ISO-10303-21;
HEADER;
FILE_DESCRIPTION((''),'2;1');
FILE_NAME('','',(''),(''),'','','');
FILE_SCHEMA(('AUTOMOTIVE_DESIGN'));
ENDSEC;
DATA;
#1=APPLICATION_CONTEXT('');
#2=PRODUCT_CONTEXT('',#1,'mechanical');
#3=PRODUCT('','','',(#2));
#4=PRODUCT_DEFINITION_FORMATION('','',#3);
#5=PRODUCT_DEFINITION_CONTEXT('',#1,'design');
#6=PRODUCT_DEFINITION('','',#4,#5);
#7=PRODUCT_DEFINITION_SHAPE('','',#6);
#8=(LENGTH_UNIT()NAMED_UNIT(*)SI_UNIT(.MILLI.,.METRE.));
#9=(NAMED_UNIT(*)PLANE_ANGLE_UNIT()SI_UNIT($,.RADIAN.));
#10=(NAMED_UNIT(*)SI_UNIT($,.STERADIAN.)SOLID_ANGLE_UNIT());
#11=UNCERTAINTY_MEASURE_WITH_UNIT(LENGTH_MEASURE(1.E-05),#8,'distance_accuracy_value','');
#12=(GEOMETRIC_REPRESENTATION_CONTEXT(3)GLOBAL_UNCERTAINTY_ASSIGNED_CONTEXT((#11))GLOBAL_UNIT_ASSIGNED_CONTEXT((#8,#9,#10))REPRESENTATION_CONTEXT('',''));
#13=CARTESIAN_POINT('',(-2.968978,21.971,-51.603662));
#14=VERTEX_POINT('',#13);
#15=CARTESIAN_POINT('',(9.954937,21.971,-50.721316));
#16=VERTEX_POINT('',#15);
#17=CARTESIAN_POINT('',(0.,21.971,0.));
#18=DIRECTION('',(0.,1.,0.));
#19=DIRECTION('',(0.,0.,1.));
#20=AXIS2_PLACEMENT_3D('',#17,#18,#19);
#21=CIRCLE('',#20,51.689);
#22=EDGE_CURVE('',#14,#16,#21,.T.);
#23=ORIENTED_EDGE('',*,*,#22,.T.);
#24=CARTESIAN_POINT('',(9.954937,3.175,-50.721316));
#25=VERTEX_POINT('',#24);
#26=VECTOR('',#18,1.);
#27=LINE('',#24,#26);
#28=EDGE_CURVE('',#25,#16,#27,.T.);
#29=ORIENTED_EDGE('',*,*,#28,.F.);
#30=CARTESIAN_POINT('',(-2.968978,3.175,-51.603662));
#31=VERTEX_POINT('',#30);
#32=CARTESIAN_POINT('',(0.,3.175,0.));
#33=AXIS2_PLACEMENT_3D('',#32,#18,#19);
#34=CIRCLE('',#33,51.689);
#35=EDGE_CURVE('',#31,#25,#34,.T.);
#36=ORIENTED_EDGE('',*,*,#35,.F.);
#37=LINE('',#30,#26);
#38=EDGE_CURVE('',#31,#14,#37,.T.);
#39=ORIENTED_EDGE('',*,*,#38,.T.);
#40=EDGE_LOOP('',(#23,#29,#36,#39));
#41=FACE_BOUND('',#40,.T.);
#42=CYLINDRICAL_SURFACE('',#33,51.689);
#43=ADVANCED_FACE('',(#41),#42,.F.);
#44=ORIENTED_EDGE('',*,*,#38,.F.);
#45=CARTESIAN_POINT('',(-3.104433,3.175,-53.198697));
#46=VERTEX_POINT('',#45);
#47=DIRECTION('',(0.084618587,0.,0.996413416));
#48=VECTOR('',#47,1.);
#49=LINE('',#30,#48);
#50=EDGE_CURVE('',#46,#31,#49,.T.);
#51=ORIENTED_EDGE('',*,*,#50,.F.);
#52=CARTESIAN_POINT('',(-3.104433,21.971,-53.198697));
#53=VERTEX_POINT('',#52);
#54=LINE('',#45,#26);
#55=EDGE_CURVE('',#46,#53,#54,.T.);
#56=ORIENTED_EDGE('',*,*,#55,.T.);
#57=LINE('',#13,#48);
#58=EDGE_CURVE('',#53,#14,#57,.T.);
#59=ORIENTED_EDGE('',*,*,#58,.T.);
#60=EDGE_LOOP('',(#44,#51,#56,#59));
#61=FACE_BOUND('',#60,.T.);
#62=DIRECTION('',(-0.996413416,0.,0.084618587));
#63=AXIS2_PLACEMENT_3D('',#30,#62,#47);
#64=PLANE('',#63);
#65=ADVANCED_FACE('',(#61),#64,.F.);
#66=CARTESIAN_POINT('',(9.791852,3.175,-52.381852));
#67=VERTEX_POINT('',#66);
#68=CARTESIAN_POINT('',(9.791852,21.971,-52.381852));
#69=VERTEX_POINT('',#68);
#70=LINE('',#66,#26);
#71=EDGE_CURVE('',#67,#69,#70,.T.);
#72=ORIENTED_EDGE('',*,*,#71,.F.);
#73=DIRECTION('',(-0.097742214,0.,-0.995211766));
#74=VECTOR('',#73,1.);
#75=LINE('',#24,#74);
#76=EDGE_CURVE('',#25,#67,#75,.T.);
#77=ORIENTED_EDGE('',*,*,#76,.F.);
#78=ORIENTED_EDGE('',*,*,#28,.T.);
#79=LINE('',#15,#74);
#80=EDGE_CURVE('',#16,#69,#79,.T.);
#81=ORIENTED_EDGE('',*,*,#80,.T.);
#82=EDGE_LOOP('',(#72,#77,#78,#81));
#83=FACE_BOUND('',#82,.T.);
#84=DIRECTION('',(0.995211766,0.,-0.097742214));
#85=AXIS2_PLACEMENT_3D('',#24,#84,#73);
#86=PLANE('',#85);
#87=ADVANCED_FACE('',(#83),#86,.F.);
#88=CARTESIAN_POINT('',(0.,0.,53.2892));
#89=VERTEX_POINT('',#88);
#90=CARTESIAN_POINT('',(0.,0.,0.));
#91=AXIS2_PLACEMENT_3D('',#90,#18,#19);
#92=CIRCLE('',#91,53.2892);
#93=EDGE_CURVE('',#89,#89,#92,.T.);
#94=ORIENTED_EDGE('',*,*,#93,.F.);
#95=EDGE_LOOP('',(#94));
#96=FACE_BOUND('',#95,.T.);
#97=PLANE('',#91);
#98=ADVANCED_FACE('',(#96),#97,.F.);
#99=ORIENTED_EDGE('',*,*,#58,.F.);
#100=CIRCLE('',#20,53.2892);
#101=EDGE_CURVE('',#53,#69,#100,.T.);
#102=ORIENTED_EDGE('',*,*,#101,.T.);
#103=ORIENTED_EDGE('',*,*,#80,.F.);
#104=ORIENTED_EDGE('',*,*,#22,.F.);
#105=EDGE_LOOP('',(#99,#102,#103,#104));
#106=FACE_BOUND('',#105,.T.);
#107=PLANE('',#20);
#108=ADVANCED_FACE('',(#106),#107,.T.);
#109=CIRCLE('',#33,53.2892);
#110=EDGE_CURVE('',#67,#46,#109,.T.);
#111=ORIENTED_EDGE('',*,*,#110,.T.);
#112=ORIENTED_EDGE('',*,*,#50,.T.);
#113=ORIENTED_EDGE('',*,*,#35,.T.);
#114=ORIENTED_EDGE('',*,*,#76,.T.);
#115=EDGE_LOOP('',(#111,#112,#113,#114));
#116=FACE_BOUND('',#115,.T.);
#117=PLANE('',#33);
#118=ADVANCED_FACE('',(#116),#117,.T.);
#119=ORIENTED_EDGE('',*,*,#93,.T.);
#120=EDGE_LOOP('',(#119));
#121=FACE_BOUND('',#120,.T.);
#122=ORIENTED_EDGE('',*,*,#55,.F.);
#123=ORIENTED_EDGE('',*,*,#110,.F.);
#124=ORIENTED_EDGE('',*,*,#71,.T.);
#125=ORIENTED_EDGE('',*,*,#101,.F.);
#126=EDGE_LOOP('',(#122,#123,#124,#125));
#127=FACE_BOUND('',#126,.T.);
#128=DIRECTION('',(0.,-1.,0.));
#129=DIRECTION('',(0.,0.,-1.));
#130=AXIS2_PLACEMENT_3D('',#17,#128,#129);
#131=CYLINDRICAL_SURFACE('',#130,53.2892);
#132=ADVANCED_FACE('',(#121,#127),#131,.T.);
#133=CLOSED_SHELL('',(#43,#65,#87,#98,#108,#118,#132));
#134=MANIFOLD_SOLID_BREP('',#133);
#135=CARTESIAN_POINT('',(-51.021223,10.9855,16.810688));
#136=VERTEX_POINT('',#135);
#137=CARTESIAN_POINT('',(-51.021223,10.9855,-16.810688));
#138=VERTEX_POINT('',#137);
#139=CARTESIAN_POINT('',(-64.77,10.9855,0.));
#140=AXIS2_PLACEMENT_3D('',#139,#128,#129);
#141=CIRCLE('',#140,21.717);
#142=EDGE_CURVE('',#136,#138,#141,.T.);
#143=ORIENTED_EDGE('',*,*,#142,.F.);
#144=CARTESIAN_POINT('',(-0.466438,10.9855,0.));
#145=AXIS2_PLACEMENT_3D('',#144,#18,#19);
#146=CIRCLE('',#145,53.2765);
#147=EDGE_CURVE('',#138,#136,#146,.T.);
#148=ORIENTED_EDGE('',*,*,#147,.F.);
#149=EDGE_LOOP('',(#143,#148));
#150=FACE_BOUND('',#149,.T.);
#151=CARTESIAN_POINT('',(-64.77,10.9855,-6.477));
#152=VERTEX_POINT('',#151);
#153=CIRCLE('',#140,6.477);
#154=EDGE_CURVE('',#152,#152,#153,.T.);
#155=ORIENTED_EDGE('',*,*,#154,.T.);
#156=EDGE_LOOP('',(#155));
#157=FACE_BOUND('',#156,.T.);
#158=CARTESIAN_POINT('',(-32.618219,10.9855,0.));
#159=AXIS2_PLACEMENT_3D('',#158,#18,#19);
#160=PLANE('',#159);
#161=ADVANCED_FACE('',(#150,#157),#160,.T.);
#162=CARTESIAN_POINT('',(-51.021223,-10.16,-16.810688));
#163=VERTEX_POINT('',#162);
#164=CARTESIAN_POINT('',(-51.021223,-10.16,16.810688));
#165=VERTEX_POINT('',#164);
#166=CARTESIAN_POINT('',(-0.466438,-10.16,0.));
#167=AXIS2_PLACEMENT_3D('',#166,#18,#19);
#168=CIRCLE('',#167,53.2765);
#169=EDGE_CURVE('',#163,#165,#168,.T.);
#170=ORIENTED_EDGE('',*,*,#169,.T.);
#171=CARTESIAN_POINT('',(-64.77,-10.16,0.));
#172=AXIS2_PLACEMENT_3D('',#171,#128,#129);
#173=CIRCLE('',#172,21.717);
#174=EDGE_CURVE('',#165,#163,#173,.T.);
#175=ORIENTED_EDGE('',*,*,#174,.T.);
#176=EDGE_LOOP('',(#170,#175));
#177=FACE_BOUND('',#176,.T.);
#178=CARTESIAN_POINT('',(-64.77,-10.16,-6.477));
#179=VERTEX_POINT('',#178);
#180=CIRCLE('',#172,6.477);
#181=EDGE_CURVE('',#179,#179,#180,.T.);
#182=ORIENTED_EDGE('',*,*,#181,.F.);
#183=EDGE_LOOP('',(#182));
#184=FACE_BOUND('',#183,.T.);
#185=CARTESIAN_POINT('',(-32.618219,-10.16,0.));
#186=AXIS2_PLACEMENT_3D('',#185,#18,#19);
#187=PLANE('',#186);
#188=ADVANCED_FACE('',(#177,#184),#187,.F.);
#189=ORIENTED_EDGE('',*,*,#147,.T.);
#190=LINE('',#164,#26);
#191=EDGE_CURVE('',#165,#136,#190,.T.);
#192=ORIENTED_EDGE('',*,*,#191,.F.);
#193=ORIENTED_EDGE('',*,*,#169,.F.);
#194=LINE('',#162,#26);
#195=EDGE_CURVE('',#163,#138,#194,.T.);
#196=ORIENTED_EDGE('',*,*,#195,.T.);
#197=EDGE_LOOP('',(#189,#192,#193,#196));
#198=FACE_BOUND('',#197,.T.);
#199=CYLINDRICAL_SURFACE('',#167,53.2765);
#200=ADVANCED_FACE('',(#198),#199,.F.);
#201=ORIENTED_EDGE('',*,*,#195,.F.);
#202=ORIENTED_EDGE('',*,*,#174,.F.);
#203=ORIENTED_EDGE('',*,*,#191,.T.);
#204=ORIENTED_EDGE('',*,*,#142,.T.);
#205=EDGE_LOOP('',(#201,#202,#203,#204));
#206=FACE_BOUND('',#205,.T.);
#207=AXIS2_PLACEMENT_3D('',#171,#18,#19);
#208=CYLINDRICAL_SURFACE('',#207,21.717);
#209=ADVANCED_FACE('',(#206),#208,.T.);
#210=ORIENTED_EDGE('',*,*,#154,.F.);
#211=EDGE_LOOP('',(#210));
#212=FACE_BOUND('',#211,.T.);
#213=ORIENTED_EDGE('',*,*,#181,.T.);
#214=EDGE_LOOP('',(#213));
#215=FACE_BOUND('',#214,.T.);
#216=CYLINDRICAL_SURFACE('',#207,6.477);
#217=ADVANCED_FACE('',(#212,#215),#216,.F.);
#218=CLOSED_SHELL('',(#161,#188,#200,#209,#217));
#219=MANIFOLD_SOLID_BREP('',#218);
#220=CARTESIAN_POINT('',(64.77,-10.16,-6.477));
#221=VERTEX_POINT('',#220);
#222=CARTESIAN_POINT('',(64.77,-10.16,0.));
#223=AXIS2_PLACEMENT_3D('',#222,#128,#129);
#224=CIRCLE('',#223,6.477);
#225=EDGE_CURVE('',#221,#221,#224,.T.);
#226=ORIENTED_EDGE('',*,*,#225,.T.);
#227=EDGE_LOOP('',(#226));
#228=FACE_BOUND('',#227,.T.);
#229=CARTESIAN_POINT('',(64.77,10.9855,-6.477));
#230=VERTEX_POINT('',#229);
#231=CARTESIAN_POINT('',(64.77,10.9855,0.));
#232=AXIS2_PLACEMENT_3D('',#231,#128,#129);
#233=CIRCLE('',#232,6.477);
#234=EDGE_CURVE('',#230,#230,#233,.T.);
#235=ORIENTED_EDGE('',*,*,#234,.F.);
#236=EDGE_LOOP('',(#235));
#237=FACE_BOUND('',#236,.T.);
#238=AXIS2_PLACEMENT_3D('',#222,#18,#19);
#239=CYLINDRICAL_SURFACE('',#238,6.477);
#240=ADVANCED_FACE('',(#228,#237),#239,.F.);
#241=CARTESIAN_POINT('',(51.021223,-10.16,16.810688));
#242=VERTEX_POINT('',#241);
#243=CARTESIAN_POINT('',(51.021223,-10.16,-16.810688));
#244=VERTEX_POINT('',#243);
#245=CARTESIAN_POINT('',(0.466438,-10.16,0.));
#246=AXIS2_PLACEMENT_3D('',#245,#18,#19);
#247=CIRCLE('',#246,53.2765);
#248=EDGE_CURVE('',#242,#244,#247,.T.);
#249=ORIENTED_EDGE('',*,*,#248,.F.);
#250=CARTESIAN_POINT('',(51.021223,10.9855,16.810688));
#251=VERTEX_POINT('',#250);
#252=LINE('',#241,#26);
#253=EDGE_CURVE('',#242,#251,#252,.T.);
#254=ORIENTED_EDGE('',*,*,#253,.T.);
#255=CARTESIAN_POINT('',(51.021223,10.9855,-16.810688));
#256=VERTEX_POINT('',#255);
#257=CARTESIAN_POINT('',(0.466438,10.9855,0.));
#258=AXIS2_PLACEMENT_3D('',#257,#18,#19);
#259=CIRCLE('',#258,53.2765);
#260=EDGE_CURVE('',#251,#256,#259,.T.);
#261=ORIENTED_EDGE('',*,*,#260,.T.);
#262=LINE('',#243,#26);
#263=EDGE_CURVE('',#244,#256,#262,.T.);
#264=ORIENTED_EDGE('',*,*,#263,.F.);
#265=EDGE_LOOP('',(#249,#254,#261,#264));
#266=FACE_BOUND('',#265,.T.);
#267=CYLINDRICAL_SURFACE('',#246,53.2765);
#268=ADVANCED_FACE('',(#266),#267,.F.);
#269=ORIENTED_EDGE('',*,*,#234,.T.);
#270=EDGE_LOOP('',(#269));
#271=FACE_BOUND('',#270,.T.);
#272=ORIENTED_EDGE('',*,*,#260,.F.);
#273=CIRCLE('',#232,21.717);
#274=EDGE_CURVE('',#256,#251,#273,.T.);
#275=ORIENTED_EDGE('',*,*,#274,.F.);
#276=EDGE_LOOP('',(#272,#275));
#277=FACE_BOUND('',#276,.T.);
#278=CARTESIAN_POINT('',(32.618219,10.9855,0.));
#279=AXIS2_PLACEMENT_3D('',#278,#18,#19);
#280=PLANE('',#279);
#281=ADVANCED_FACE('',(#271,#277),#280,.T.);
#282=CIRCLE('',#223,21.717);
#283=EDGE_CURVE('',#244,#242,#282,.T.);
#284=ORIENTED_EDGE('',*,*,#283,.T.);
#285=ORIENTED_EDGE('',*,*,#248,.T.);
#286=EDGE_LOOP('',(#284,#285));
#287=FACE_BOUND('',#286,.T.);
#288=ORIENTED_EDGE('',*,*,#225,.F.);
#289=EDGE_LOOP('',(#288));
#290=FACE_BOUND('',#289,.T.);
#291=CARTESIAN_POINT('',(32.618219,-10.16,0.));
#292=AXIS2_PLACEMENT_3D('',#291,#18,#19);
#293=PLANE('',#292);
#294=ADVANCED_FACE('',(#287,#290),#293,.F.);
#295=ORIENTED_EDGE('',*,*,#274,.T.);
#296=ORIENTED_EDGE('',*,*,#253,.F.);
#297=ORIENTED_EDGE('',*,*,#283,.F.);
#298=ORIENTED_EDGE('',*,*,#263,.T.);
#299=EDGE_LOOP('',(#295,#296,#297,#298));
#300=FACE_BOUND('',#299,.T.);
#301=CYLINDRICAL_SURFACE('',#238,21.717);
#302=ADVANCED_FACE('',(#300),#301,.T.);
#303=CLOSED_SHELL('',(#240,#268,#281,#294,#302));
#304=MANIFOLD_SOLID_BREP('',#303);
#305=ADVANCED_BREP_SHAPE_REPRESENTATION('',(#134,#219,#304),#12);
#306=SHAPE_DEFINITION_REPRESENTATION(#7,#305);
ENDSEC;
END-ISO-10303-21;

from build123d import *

# Parameters (mm, degrees)
SKETCH1_R                  = 53.2892
BOSS_EXTRUDE1_DEPTH        = 21.971
SKETCH3_R                  = 51.689
CUT_EXTRUDE2_DEPTH         = 18.796
CUT_EXTRUDE7_DEPTH         = 18.796
SKETCH7_R                  = 6.477
BOSS_EXTRUDE3_DEPTH        = 10.16
BOSS_EXTRUDE3_DEPTH_BACK   = 10.9855
BOSS_EXTRUDE3_2_DEPTH      = 10.16
BOSS_EXTRUDE3_2_DEPTH_BACK = 10.9855


with BuildPart() as part:
    # Sketch1 → Boss-Extrude1 (new body)
    with BuildSketch(Plane(origin=(0, 0, 0), x_dir=(1, 0, 0), z_dir=(0, 1, 0))):
        Circle(SKETCH1_R)
    extrude(amount=BOSS_EXTRUDE1_DEPTH)

    # Sketch3 → Cut-Extrude2 (cut)
    with BuildSketch(Plane(origin=(0, 21.971, 0), x_dir=(1, 0, 0), z_dir=(0, 1, 0))):
        Circle(SKETCH3_R)
    extrude(amount=-CUT_EXTRUDE2_DEPTH, mode=Mode.SUBTRACT)

    # Sketch6 → Cut-Extrude7 (cut)
    with BuildSketch(Plane(origin=(0, 21.971, 0), x_dir=(1, 0, 0), z_dir=(0, 1, 0))):
        with BuildLine():
            Line((9.954937367, 50.721316456), (9.791852008, 52.381852496))
            ThreePointArc((9.791852008, 52.381852496), (3.368560686, 53.182625316), (-3.104433229, 53.198696704))
            Line((-3.104433229, 53.198696704), (-2.968977791, 51.603661613))
            ThreePointArc((-2.968977791, 51.603661613), (3.520730186, 51.568955583), (9.954937367, 50.721316456))
        make_face()
    extrude(amount=-CUT_EXTRUDE7_DEPTH, mode=Mode.SUBTRACT)


with BuildPart() as body_2:
    # Sketch7 → Boss-Extrude3 (new body, two sides)
    with BuildSketch(Plane.XZ) as boss_extrude3_sk:
        with BuildLine():
            ThreePointArc((51.021222794, -16.810687504), (86.487, 0), (51.021222794, 16.810687504))
            ThreePointArc((51.021222794, 16.810687504), (53.742938274, 0), (51.021222794, -16.810687504))
        make_face()
        with Locations((64.77, 0)):
            Circle(SKETCH7_R, mode=Mode.SUBTRACT)
    extrude(amount=BOSS_EXTRUDE3_DEPTH)
    extrude(boss_extrude3_sk.sketch, amount=-BOSS_EXTRUDE3_DEPTH_BACK)


with BuildPart() as body_3:
    # Sketch7 → Boss-Extrude3 2 (new body, two sides)
    with BuildSketch(Plane.XZ) as boss_extrude3_2_sk:
        with BuildLine():
            ThreePointArc((-51.021222794, 16.810687504), (-86.487, 0), (-51.021222794, -16.810687504))
            ThreePointArc((-51.021222794, -16.810687504), (-53.742938274, 0), (-51.021222794, 16.810687504))
        make_face()
        with Locations((-64.77, 0)):
            Circle(SKETCH7_R, mode=Mode.SUBTRACT)
    extrude(amount=BOSS_EXTRUDE3_2_DEPTH)
    extrude(boss_extrude3_2_sk.sketch, amount=-BOSS_EXTRUDE3_2_DEPTH_BACK)


solid = Compound([part.part, body_2.part, body_3.part])
